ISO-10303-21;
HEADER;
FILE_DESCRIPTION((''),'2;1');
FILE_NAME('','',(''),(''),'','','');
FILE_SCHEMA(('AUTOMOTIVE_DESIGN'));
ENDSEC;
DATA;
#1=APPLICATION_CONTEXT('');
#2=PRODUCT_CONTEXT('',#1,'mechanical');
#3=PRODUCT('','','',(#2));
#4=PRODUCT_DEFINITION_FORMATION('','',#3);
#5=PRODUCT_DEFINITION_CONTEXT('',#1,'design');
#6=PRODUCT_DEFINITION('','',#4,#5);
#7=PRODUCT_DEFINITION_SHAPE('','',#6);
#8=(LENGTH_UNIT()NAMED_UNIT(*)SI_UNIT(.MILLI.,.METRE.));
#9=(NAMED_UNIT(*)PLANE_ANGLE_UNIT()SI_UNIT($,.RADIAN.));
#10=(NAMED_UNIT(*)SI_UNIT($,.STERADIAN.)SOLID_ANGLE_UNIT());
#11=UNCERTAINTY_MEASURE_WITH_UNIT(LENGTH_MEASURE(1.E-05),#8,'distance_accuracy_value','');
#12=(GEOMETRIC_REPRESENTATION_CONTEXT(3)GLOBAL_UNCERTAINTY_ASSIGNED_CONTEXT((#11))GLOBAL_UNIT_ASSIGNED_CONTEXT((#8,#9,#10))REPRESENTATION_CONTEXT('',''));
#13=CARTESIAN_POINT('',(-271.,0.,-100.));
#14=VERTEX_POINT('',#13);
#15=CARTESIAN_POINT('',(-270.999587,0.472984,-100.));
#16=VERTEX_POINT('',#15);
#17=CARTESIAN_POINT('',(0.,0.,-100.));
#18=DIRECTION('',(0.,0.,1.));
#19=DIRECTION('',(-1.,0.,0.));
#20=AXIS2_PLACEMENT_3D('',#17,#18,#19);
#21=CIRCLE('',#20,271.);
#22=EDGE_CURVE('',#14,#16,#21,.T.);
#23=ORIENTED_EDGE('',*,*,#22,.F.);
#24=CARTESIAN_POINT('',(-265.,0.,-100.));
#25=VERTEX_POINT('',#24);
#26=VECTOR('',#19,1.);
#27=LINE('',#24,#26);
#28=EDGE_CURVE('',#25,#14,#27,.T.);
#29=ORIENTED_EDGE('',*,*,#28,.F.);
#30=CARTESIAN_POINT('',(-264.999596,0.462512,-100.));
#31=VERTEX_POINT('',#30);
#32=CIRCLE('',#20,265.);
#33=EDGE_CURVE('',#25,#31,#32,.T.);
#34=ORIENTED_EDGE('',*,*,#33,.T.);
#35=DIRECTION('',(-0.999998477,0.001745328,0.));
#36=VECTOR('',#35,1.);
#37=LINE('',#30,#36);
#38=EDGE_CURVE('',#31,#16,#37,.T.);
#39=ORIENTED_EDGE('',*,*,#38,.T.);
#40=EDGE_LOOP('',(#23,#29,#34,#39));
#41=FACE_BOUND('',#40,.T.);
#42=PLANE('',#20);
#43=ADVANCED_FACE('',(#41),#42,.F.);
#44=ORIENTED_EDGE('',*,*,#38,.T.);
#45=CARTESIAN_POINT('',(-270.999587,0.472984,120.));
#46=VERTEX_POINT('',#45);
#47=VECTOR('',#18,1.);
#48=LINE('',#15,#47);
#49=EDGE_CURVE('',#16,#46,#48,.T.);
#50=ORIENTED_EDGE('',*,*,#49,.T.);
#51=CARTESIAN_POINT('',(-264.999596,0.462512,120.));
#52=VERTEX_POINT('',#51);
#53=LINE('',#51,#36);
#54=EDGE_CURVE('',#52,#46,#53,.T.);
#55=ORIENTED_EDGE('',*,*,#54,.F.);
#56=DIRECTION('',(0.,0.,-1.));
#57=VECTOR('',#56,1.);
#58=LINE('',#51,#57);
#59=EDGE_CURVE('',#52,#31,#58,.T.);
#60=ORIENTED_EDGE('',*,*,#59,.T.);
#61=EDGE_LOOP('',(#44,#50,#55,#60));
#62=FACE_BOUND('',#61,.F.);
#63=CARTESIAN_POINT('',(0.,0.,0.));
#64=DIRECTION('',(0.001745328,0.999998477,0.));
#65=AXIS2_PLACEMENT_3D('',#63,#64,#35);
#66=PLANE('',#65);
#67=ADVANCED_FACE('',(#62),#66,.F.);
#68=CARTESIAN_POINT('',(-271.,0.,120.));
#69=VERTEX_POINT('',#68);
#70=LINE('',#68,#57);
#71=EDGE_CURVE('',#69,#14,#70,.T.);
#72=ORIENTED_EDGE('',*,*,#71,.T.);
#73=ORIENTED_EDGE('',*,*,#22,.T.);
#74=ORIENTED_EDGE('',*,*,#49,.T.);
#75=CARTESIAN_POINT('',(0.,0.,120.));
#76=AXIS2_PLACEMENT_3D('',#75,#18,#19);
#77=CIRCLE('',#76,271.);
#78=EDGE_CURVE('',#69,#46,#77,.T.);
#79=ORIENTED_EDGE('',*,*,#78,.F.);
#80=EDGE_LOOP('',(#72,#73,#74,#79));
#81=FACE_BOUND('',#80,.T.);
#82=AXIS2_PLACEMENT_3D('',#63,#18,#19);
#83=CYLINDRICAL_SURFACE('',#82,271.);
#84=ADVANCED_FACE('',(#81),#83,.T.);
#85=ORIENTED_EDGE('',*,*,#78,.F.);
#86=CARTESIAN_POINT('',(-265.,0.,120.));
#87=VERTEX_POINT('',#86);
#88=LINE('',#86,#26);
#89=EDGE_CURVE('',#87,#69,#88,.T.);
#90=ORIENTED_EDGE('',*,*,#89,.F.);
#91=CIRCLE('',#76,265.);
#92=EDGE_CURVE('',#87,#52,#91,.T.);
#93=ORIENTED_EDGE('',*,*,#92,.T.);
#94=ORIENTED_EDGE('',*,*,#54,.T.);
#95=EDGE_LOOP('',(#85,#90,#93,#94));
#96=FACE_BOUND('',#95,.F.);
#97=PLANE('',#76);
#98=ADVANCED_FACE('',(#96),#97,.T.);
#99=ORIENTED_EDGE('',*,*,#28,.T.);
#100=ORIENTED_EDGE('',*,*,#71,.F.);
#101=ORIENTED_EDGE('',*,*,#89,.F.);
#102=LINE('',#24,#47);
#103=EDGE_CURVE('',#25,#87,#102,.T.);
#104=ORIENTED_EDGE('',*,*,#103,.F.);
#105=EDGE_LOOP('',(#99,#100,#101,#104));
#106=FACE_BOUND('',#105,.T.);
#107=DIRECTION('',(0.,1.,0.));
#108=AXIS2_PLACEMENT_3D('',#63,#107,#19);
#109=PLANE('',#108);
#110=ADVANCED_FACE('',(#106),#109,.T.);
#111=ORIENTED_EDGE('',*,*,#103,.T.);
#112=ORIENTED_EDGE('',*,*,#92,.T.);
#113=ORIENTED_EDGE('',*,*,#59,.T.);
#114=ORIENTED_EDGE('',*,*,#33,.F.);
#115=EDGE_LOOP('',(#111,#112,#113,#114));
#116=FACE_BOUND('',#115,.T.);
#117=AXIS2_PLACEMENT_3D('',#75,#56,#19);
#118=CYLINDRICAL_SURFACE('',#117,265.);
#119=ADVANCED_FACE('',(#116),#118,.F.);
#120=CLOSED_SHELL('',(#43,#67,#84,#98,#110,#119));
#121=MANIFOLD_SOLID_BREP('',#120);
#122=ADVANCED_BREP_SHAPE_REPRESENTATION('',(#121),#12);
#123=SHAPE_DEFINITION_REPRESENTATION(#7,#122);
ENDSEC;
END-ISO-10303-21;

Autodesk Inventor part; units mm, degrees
ref_plane "YZ Plane" through (0, 0, 0) normal (1, 0, 0) x (0, 1, 0)
ref_plane "XZ Plane" through (0, 0, 0) normal (0, 1, 0) x (-1, 0, 0)
ref_plane "XY Plane" through (0, 0, 0) normal (0, 0, 1) x (1, 0, 0)
sketch "Sketch1" plane through (0, 0, 0) normal (0, 1, 0) x (-1, 0, 0)
  line L0 (265, 120) -> (265, 0)
  line L1 (265, 0) -> (271, 0)
  line L2 (0, 0) -> (0, 109.131)
  line L3 (265, 120) -> (271, 120)
  line L4 (271, 0) -> (271, 120)
  line L5 (271, 0) -> (265, 0)
  line L6 (265, 0) -> (265, -100)
  line L7 (265, -100) -> (271, -100)
  line L8 (271, -100) -> (271, 0)
  point P0 (268, 0)
  point P1 (271, 0)
  dimension "d3" = 6
  dimension "d4" = 530
  dimension "d5" = 120
  dimension "d7" = 6
  dimension "d8" = 100
revolve "Revolution1" add sketch "Sketch1" angle 359.9 about axis through (0, 0, 0) along (0, 0, 1)
sketch "Sketch2" plane through (0, 0, 0) normal (0, 1, 0) x (-1, 0, 0)
  circle A0 centre (0, -476) radius 476
  point P0 (0, 0)
  dimension "d9" = 952
extrude "Extrusion1" [suppressed]
equation "\"d4\" = Accsess_hatch_diameter"
equation "\"d5\" = Accsess_hatch_lenght"
equation "\"d7\" = d3"
equation "\"BendRadius\" = Thickness"
equation "\"BendReliefWidth\" = Thickness"
equation "\"BendReliefDepth\" = 0.5 * Thickness"
equation "\"CornerReliefSize\" = 4 * Thickness"
equation "\"MinimumRemnant\" = 2 * Thickness"
equation "\"TransitionRadius\" = BendRadius"
equation "\"JacobiRadiusSize\" = BendRadius"
equation "\"GapSize\" = Thickness"
equation "\"Accsess_hatch_diameter\" = 530"
equation "\"Accsess_hatch_lenght\" = 120"
equation "\"Thickness\" = 6"
properties part number "PNS-611 accses hatch tube"
